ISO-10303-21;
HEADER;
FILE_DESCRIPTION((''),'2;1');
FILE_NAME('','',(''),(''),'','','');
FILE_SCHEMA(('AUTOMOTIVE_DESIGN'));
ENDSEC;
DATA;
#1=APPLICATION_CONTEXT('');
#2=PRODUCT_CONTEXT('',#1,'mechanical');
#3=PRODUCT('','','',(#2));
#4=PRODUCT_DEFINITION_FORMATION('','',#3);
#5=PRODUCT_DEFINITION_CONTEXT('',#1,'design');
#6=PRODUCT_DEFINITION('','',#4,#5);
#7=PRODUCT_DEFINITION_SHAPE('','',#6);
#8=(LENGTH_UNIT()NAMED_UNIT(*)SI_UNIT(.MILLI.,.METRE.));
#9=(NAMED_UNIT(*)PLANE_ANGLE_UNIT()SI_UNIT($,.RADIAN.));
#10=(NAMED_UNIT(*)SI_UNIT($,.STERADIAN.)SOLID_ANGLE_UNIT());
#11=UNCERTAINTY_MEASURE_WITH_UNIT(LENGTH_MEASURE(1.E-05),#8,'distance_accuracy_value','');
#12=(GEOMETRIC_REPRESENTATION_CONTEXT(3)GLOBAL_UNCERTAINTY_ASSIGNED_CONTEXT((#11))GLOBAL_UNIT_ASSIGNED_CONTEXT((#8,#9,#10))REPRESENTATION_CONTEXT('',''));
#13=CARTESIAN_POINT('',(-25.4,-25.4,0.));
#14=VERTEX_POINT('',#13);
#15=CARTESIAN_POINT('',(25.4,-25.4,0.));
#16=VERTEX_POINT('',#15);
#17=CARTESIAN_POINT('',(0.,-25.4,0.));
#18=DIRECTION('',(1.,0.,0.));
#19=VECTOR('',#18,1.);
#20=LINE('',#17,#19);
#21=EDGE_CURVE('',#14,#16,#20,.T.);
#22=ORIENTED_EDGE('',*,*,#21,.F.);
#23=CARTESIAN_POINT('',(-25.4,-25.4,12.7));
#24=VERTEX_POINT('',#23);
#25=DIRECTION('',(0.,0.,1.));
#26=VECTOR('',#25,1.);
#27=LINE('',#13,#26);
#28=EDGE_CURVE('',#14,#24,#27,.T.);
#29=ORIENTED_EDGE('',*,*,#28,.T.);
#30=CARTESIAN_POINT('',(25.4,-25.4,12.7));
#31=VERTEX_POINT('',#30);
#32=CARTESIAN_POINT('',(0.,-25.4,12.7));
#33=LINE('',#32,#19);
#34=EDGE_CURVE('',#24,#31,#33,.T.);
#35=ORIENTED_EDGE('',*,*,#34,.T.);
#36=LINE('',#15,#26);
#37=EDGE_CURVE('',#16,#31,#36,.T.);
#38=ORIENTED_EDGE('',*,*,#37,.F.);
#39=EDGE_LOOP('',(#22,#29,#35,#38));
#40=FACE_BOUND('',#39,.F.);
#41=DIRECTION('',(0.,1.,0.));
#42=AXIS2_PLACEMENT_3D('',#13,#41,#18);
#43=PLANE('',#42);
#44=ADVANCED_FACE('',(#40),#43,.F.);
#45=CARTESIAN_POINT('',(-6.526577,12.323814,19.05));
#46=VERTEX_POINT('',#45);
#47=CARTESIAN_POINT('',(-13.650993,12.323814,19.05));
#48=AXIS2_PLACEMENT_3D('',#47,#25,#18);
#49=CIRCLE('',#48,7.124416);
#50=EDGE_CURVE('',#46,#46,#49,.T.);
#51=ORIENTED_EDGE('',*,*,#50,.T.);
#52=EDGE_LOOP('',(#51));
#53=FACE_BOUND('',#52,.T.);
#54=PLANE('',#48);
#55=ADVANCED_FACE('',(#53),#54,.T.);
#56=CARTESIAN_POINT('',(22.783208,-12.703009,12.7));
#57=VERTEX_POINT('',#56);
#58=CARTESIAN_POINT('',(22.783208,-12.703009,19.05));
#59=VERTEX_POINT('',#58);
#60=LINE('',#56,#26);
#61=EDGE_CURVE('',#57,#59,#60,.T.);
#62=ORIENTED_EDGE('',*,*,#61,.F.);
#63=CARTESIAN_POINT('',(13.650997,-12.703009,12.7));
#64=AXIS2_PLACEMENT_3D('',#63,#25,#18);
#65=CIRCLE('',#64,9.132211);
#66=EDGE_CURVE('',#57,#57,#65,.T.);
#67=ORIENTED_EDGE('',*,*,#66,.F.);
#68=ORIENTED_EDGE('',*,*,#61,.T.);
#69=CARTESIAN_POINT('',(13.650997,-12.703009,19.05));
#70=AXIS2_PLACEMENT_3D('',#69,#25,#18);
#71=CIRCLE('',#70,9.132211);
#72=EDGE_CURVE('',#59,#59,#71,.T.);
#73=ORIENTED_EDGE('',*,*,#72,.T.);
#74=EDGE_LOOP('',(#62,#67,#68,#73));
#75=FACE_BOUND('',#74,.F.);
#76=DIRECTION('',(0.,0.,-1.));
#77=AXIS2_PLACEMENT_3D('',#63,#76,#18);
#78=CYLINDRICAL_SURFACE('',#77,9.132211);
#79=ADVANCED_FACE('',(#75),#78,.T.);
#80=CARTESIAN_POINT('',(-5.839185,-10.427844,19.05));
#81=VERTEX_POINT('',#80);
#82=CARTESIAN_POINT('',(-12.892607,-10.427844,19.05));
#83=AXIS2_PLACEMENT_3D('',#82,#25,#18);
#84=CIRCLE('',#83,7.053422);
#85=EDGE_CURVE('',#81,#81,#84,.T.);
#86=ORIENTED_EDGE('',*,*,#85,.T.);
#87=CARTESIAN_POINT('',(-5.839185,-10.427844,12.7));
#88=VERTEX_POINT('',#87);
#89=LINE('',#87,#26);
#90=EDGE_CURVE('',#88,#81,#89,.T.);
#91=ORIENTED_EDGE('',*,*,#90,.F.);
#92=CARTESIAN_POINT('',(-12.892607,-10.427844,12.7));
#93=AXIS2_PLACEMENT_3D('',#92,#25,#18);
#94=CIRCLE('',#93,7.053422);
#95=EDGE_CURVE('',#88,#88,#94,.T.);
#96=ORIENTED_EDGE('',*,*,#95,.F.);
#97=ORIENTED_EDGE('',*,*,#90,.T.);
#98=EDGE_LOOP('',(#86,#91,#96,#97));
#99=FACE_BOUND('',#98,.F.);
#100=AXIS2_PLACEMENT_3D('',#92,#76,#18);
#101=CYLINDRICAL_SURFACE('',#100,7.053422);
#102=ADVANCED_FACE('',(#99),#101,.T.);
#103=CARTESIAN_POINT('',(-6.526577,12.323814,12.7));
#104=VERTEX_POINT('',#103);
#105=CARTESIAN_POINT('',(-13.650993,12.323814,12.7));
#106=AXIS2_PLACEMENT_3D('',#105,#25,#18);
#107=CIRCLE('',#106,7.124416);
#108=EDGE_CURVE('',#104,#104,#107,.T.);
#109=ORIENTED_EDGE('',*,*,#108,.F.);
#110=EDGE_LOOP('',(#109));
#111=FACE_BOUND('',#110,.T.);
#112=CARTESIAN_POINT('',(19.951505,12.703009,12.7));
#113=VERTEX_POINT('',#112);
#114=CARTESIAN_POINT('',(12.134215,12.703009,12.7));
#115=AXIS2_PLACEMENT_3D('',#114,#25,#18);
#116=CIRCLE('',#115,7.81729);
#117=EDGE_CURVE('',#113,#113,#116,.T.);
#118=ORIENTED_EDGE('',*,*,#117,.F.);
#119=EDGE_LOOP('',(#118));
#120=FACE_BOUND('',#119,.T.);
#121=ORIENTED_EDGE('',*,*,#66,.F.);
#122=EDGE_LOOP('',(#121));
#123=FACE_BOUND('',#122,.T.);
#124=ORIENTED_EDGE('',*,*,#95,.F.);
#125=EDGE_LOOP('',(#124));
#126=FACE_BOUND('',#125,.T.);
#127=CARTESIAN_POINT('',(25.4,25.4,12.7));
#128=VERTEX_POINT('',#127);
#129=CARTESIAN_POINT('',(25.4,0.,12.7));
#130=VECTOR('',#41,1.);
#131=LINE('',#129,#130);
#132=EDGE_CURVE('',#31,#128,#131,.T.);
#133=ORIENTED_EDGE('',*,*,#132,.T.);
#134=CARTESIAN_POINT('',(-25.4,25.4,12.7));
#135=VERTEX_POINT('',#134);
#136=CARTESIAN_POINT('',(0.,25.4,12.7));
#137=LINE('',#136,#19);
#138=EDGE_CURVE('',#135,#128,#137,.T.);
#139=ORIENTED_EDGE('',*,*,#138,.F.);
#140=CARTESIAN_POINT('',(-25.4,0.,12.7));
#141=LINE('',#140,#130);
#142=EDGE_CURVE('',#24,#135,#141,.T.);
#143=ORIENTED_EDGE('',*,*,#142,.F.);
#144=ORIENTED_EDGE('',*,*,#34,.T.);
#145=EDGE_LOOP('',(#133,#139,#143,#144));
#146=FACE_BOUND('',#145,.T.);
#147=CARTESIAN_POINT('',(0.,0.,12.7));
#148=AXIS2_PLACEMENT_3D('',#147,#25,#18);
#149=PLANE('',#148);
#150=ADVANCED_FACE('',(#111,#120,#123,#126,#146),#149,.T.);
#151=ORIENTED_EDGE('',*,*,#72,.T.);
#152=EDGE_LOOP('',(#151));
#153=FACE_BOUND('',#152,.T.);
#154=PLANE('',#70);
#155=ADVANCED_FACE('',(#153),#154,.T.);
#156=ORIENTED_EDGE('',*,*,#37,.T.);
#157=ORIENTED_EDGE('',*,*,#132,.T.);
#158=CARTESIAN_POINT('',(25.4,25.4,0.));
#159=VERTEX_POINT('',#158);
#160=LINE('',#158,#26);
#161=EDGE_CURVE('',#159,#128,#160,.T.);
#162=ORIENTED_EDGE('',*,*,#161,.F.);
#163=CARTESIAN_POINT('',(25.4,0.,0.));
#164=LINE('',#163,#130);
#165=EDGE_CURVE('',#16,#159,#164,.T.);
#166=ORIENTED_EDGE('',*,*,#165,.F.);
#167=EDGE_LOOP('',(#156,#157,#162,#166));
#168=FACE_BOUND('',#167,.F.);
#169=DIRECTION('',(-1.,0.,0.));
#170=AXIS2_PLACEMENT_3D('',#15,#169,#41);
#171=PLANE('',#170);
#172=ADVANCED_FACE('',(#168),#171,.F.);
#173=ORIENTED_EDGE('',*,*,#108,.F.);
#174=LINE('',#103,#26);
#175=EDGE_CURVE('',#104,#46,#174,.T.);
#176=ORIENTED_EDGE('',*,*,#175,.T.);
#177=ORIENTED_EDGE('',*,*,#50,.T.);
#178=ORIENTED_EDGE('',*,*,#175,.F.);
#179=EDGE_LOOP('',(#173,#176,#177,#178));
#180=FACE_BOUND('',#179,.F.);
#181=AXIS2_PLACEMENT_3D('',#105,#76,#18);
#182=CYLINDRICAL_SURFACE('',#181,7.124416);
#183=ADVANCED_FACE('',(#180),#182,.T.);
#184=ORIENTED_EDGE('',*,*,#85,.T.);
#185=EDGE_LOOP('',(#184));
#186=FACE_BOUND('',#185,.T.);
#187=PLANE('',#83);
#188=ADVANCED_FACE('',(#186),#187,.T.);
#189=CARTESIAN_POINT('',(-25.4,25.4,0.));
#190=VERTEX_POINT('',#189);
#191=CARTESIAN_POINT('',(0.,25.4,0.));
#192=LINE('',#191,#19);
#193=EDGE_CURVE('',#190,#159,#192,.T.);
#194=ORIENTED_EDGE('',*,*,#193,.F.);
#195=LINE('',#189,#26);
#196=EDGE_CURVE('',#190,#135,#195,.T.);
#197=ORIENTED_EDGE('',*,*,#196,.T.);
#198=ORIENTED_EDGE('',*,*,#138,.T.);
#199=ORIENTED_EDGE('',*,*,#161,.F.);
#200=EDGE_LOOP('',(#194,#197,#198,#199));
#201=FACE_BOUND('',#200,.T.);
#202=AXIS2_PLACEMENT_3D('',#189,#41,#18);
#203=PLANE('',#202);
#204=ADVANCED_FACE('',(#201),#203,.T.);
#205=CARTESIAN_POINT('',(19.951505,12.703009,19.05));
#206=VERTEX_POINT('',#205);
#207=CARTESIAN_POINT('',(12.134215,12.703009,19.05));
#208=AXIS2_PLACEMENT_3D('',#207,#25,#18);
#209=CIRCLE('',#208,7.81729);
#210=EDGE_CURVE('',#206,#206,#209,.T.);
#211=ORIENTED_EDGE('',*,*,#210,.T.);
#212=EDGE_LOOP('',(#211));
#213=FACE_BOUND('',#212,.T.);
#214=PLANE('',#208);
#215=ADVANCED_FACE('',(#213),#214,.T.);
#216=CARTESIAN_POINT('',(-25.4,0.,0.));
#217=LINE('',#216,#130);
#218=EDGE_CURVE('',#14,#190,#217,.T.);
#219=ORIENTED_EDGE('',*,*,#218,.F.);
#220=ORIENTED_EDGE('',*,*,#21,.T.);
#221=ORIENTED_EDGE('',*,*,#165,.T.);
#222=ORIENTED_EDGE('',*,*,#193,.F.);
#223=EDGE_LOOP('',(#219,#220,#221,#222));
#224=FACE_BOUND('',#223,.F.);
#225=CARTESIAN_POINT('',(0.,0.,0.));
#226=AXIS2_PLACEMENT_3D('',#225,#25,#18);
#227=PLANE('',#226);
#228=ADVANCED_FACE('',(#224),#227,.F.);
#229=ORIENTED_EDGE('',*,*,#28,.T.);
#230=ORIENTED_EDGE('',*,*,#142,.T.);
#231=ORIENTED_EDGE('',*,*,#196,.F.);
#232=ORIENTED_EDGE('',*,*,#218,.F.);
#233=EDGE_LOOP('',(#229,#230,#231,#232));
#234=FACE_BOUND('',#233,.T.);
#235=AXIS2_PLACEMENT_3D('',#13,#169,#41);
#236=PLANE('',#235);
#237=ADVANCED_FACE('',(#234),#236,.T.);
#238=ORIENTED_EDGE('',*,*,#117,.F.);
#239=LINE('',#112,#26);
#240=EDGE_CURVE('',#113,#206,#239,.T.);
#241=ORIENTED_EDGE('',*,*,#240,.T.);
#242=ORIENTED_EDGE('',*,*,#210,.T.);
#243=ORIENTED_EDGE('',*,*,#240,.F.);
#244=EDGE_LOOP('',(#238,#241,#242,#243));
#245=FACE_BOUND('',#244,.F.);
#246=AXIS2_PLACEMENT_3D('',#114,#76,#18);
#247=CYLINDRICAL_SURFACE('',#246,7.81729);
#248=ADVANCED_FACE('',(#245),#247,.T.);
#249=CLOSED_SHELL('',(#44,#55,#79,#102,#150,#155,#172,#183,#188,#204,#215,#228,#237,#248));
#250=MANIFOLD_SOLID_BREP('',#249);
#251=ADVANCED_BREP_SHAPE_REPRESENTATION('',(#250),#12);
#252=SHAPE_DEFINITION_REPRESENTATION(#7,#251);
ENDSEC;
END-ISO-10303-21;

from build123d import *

# Parameters (mm, degrees)
F0_W     = 50.8
F0_H     = 50.8
F1_DEPTH = 12.7
F2_R     = 7.124416
F3_DEPTH = 6.35
F2_R_2   = 7.81729
F4_DEPTH = 6.35
F2_R_3   = 7.053422
F5_DEPTH = 6.35
F2_R_4   = 9.132211
F6_DEPTH = 6.35


with BuildPart() as f1:
    # F0 (on Top) → F1 (new body)
    with BuildSketch(Plane.XY):
        Rectangle(F0_W, F0_H)
    extrude(amount=F1_DEPTH)

    # F2 (on face) → F3 (join)
    with BuildSketch(Plane.XY.offset(12.7)):
        with Locations((-13.650993, 12.323814)):
            Circle(F2_R)
    extrude(amount=F3_DEPTH)

    # F2 (on face) → F4 (join)
    with BuildSketch(Plane.XY.offset(12.7)):
        with Locations((12.134215, 12.703009)):
            Circle(F2_R_2)
    extrude(amount=F4_DEPTH)

    # F2 (on face) → F5 (join)
    with BuildSketch(Plane.XY.offset(12.7)):
        with Locations((-12.892607, -10.427844)):
            Circle(F2_R_3)
    extrude(amount=F5_DEPTH)

    # F2 (on face) → F6 (join)
    with BuildSketch(Plane.XY.offset(12.7)):
        with Locations((13.650997, -12.703009)):
            Circle(F2_R_4)
    extrude(amount=F6_DEPTH)


solid = f1.part
